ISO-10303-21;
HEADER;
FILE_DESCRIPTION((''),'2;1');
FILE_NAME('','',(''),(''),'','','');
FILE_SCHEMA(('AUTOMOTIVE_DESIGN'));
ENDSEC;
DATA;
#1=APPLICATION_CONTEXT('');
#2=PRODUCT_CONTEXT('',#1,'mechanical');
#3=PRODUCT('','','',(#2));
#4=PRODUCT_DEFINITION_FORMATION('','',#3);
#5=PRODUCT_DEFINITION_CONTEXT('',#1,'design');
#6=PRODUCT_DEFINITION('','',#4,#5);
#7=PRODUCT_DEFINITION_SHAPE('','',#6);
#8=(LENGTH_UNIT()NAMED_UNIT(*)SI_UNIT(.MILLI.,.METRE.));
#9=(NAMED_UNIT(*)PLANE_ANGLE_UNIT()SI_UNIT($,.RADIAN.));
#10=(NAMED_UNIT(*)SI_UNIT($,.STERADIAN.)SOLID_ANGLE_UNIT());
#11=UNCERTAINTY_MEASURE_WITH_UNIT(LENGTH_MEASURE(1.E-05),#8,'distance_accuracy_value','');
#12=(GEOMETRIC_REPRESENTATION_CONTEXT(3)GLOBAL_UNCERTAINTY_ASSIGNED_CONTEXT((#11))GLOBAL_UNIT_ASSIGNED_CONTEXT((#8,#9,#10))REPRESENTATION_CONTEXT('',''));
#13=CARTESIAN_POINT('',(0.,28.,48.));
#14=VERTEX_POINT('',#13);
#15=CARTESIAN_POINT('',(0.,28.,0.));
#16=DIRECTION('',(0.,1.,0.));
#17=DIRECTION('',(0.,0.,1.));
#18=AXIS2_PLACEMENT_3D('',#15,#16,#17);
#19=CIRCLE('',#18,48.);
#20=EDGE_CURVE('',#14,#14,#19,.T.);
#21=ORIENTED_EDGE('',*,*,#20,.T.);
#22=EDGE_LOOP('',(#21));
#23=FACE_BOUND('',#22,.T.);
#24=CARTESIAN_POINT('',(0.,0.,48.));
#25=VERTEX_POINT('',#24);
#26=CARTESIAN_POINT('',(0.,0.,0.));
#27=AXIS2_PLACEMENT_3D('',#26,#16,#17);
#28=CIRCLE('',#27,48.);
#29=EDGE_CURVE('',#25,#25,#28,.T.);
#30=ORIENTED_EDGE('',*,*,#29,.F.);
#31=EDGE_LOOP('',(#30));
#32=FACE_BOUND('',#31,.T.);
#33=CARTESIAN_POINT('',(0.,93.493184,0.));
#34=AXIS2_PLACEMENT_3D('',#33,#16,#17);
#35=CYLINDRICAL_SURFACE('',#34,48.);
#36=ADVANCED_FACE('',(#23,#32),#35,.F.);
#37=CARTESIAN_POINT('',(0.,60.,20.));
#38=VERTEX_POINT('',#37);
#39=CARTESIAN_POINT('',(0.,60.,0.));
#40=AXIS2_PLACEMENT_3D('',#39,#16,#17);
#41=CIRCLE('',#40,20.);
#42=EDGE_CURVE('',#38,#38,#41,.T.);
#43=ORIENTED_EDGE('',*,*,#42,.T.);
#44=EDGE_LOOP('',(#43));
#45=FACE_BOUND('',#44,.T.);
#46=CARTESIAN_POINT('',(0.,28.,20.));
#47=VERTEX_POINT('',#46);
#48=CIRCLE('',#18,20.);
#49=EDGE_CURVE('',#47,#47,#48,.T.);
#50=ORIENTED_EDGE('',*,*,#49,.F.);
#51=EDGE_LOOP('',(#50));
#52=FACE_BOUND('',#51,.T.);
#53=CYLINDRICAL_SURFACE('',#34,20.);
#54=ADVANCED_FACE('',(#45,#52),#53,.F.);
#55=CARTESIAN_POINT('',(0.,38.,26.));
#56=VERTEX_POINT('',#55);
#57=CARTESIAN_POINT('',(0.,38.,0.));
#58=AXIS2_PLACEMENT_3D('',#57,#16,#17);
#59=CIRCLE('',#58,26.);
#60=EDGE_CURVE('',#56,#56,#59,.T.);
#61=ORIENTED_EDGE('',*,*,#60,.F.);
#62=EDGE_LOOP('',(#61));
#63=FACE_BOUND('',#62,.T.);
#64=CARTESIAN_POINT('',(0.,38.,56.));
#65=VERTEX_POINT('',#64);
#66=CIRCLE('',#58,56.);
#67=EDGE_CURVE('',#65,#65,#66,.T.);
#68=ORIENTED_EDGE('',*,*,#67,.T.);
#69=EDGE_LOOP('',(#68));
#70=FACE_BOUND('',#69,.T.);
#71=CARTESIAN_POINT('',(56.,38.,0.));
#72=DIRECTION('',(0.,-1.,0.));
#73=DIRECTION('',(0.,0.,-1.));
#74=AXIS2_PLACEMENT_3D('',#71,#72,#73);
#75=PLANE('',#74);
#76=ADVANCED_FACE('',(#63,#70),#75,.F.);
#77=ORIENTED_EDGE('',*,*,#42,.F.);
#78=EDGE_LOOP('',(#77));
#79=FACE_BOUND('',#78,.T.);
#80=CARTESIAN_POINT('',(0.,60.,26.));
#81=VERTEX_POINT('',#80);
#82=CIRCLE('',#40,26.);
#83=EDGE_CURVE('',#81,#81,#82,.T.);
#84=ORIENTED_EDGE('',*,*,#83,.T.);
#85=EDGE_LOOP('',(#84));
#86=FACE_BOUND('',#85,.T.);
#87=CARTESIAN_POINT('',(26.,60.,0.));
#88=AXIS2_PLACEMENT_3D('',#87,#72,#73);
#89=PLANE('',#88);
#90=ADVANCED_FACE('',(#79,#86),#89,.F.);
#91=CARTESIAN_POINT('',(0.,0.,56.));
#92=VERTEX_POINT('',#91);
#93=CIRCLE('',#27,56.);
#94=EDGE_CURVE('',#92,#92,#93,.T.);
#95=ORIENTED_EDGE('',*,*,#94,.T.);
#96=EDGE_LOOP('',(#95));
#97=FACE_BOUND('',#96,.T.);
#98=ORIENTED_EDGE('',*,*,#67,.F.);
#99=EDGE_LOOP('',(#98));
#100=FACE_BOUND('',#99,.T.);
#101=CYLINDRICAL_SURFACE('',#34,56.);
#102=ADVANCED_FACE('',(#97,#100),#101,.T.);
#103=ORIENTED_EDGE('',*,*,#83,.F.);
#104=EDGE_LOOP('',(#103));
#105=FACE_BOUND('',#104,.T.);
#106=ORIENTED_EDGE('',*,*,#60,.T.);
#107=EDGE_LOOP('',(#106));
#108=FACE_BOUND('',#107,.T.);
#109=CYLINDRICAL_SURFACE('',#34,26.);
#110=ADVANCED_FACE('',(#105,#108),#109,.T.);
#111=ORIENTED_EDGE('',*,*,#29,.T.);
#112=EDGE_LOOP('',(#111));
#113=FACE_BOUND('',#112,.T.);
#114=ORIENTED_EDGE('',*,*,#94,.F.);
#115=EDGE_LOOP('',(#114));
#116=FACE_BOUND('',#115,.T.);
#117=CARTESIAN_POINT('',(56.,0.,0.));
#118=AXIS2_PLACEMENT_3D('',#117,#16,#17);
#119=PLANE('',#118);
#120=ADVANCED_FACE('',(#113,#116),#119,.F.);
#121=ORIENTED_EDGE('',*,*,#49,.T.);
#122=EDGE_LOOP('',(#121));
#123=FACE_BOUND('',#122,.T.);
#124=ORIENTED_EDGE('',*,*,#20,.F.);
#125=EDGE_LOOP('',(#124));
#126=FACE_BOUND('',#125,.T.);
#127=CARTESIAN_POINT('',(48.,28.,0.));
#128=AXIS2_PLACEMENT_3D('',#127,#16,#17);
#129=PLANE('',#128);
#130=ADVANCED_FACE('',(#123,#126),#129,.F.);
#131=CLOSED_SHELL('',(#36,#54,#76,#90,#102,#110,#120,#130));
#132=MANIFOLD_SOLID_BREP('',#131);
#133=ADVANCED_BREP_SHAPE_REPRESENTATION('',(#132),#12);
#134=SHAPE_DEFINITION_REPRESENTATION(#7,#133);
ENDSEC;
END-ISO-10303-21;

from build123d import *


with BuildPart() as part:
    # Sketch1 → Revolve1 (revolve)
    with BuildSketch(Plane.XY, mode=Mode.PRIVATE) as revolve1_sk:
        Polygon((56, 0), (48, 0), (48, 28), (20, 28), (20, 60), (26, 60), (26, 38), (56, 38), align=None)
    revolve(revolve1_sk.sketch.rotate(Axis((0, 93.493183641, 0), (0, -1, 0)), 90), axis=Axis((0, 93.493183641, 0), (0, -1, 0)))


solid = part.part
